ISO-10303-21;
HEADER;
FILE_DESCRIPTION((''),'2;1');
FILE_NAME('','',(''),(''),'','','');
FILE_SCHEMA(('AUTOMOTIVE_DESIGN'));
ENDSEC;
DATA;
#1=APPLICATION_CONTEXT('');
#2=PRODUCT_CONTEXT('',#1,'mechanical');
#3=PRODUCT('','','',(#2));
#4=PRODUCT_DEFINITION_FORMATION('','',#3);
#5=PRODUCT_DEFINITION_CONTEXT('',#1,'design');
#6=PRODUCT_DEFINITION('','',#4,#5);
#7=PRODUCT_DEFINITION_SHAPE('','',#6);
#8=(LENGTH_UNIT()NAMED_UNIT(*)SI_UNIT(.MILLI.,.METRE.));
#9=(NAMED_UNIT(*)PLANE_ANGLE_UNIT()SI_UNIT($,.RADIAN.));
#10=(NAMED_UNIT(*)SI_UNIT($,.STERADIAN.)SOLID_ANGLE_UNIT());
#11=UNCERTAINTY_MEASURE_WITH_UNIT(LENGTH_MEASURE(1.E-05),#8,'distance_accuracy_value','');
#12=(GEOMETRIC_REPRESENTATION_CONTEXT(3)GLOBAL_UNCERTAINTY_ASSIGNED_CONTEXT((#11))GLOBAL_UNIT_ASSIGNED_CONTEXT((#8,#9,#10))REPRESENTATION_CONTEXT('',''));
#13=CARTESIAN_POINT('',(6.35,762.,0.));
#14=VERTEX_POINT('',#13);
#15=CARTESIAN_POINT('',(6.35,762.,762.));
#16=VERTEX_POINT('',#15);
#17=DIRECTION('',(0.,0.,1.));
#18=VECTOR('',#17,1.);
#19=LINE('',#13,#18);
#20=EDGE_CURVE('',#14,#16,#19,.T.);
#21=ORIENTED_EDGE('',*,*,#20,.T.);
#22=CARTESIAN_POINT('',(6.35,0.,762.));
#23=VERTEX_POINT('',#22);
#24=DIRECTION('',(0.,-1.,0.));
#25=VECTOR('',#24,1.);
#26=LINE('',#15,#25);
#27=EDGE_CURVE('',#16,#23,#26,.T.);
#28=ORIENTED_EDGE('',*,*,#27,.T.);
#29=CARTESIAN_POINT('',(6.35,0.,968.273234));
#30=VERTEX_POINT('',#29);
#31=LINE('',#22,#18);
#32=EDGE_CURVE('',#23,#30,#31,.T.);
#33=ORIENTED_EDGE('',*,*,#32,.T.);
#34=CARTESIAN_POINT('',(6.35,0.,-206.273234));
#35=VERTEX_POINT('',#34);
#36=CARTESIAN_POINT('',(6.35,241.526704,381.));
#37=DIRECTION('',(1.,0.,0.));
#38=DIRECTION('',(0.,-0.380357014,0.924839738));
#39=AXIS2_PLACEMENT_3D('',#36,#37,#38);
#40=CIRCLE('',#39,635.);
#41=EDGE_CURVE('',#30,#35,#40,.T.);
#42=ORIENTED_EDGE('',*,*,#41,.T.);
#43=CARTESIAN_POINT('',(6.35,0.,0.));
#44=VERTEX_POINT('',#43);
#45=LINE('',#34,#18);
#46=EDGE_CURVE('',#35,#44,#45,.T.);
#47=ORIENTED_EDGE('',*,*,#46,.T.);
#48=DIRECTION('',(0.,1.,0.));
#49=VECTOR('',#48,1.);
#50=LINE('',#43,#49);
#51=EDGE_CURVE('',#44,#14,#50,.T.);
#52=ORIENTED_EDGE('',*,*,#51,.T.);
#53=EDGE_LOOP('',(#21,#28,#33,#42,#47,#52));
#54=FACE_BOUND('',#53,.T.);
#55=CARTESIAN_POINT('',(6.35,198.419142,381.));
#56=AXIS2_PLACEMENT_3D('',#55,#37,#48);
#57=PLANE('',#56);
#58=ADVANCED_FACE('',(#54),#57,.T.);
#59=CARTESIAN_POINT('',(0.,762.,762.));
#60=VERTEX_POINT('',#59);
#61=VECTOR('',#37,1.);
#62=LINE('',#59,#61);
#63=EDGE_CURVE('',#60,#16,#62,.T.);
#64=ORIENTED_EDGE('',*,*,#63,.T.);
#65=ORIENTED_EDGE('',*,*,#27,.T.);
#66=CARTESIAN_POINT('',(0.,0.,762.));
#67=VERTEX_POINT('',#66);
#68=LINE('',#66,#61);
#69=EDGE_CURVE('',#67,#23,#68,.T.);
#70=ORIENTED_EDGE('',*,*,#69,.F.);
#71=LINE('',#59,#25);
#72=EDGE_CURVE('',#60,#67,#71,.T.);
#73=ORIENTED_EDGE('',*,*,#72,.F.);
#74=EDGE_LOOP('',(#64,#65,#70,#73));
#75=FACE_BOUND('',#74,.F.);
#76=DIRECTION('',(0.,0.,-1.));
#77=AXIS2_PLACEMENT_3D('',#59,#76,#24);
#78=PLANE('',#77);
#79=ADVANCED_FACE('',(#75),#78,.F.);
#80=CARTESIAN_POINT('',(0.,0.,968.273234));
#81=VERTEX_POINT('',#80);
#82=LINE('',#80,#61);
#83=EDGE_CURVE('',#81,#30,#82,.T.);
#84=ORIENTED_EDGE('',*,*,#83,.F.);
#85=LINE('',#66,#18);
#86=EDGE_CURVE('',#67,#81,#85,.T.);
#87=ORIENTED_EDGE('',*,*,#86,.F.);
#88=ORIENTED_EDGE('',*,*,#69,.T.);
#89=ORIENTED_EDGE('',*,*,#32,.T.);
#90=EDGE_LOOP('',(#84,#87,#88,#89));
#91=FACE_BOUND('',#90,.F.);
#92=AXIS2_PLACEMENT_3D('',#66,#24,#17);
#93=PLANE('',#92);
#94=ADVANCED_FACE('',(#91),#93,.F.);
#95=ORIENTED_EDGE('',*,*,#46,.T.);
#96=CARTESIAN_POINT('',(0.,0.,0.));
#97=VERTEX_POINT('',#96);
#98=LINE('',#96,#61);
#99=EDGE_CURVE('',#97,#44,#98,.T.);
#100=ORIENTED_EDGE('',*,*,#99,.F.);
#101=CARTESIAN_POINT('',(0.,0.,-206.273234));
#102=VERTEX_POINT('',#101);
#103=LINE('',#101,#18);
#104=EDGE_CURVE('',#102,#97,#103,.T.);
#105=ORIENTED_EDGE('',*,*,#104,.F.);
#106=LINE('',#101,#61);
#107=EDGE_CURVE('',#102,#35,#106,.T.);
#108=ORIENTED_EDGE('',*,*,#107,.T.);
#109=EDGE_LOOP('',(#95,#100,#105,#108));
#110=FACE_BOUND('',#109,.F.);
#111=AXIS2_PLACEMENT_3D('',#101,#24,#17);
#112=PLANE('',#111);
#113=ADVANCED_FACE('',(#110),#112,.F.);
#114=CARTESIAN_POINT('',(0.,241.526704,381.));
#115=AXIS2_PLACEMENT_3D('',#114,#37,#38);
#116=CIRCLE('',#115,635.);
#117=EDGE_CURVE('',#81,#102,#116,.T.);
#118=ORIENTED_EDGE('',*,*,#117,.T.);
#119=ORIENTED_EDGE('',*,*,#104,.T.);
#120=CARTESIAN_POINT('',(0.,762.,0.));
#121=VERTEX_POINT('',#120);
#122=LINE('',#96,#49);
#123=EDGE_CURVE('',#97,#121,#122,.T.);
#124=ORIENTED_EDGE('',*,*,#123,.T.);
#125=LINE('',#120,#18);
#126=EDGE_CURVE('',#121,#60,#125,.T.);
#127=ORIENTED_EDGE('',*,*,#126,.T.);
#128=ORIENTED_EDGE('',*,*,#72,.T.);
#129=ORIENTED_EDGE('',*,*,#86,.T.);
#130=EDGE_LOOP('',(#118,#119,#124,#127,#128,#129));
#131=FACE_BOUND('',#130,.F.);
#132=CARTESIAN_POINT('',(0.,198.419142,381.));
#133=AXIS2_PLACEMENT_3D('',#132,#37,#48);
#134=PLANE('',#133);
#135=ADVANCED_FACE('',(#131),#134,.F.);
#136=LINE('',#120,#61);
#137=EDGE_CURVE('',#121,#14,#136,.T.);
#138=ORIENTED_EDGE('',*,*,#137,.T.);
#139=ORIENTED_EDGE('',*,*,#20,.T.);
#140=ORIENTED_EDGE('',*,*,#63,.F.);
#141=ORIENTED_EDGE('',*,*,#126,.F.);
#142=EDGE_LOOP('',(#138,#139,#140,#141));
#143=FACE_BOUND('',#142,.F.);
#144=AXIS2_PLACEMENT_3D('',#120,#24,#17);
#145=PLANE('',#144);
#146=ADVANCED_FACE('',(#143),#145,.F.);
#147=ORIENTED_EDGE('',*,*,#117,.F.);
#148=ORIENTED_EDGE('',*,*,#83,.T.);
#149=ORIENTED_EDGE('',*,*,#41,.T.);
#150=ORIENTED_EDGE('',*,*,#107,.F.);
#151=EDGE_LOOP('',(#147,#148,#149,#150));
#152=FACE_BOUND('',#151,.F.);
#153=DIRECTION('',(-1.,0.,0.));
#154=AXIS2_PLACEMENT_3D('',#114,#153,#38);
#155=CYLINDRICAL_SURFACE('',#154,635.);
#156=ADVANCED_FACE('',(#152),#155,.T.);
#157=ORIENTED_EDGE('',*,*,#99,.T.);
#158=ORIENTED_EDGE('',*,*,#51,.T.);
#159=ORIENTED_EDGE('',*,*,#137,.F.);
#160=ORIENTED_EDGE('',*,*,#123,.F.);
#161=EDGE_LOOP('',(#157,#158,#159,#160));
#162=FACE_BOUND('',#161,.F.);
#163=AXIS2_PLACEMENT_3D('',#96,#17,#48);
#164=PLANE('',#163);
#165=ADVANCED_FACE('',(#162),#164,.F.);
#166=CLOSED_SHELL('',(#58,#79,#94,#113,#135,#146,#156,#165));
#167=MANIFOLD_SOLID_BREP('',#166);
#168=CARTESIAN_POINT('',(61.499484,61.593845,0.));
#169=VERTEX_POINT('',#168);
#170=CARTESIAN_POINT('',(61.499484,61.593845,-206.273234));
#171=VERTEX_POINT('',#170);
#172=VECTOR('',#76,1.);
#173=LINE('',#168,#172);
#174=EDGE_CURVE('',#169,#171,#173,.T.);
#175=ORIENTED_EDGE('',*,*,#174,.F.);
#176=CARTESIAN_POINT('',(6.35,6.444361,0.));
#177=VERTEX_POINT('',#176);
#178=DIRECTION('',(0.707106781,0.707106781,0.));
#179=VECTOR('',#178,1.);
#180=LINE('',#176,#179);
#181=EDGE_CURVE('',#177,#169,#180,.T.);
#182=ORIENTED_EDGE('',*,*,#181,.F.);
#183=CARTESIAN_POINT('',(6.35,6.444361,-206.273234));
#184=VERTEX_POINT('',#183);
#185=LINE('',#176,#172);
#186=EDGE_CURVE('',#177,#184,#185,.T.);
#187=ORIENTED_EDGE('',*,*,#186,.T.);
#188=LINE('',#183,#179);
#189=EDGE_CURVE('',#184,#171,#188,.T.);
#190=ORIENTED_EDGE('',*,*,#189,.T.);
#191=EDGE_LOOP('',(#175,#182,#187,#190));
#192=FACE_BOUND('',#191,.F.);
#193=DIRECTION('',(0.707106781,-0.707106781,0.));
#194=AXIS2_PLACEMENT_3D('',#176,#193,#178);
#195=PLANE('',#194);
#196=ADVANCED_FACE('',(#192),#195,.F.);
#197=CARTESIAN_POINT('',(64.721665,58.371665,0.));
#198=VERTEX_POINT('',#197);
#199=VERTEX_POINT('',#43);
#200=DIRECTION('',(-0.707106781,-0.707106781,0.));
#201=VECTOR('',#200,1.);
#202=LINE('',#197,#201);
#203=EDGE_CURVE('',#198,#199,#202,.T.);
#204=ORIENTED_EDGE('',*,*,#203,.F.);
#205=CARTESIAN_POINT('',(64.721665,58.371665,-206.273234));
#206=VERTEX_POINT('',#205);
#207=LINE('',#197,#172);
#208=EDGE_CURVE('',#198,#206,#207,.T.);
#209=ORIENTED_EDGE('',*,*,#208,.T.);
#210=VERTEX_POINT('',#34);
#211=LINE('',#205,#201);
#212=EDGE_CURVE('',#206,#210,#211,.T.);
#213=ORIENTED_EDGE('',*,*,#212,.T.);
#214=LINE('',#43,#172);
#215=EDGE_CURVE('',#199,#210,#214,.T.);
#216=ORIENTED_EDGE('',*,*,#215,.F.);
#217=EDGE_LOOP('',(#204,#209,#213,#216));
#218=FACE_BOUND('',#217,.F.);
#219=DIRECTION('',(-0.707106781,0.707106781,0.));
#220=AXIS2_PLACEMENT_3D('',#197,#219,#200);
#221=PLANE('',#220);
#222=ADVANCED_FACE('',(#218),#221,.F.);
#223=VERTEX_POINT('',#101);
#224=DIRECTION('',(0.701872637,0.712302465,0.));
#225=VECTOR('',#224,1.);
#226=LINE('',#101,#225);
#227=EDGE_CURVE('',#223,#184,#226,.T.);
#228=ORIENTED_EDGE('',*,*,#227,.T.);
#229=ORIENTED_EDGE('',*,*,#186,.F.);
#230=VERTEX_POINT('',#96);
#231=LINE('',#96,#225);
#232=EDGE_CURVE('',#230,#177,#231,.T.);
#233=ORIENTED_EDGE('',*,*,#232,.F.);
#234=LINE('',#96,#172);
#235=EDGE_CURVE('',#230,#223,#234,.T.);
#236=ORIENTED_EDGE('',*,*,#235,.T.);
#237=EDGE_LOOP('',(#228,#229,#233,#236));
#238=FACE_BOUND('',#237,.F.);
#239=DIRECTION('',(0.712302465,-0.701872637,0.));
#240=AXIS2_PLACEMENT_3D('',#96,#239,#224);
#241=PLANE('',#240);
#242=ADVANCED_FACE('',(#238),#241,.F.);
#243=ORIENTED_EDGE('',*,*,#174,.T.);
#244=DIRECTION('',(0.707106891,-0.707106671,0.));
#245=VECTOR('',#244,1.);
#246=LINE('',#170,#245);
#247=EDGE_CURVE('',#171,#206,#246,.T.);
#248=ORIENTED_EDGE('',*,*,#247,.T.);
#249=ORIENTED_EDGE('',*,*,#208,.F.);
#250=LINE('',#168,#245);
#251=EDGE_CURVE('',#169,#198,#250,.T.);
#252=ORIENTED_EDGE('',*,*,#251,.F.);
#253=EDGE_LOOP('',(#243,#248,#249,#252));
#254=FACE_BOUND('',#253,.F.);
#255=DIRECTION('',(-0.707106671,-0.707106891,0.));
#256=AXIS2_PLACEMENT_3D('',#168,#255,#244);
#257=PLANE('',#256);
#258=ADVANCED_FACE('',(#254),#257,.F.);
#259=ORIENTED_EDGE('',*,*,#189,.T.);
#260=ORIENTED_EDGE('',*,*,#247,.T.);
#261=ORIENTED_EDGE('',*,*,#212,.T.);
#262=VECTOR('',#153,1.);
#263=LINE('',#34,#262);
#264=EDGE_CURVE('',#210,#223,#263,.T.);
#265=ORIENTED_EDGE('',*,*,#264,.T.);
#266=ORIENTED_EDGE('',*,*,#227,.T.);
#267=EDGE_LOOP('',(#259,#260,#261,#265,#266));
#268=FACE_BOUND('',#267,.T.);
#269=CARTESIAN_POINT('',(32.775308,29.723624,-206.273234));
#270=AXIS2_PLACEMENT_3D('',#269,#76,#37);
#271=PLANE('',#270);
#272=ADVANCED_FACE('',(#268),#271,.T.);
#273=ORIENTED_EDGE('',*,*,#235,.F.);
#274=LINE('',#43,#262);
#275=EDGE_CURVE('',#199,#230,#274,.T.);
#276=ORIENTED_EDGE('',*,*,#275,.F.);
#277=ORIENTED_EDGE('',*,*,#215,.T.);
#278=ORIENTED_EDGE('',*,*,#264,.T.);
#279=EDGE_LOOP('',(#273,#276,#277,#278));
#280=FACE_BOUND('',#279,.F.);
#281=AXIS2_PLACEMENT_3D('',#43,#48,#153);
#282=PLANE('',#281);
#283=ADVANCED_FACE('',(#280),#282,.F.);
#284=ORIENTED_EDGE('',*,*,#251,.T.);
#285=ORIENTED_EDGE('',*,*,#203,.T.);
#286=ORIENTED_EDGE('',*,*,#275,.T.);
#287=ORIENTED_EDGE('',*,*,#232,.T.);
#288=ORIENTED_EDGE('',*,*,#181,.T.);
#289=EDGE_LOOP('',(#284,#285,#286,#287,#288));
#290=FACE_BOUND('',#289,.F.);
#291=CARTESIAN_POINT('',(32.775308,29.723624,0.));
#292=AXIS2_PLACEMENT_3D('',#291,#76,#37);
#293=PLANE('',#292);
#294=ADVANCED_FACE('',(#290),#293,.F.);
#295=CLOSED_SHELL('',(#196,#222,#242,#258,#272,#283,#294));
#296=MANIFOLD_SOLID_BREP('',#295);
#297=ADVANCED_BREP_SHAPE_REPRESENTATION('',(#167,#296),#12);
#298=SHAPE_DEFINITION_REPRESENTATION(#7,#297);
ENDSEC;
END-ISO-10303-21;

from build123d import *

# Parameters (mm, degrees)
F1_DEPTH = 6.35
F3_DEPTH = 206.273234


with BuildPart() as f1:
    # F0 (on Right) → F1 (new body)
    with BuildSketch(Plane.YZ):
        with BuildLine():
            Line((0, -206.273234), (0, 0))
            Line((0, 0), (762, 0))
            Line((762, 0), (762, 762))
            Line((762, 762), (0, 762))
            Line((0, 762), (0, 968.273234))
            ThreePointArc((0, 968.273234), (-393.473296, 381), (0, -206.273234))
        make_face()
    extrude(amount=F1_DEPTH)


with BuildPart() as f3:
    # F2 (on face) → F3 (new body, through all)
    with BuildSketch(Plane(origin=(0, 0, 0), x_dir=(1, 0, 0), z_dir=(0, 0, -1))):
        Polygon((64.721665, -58.371665), (6.35, 0), (0, 0), (6.35, -6.444361), (61.499484, -61.593845), align=None)
    extrude(amount=F3_DEPTH)


solid = Compound([f1.part, f3.part])
